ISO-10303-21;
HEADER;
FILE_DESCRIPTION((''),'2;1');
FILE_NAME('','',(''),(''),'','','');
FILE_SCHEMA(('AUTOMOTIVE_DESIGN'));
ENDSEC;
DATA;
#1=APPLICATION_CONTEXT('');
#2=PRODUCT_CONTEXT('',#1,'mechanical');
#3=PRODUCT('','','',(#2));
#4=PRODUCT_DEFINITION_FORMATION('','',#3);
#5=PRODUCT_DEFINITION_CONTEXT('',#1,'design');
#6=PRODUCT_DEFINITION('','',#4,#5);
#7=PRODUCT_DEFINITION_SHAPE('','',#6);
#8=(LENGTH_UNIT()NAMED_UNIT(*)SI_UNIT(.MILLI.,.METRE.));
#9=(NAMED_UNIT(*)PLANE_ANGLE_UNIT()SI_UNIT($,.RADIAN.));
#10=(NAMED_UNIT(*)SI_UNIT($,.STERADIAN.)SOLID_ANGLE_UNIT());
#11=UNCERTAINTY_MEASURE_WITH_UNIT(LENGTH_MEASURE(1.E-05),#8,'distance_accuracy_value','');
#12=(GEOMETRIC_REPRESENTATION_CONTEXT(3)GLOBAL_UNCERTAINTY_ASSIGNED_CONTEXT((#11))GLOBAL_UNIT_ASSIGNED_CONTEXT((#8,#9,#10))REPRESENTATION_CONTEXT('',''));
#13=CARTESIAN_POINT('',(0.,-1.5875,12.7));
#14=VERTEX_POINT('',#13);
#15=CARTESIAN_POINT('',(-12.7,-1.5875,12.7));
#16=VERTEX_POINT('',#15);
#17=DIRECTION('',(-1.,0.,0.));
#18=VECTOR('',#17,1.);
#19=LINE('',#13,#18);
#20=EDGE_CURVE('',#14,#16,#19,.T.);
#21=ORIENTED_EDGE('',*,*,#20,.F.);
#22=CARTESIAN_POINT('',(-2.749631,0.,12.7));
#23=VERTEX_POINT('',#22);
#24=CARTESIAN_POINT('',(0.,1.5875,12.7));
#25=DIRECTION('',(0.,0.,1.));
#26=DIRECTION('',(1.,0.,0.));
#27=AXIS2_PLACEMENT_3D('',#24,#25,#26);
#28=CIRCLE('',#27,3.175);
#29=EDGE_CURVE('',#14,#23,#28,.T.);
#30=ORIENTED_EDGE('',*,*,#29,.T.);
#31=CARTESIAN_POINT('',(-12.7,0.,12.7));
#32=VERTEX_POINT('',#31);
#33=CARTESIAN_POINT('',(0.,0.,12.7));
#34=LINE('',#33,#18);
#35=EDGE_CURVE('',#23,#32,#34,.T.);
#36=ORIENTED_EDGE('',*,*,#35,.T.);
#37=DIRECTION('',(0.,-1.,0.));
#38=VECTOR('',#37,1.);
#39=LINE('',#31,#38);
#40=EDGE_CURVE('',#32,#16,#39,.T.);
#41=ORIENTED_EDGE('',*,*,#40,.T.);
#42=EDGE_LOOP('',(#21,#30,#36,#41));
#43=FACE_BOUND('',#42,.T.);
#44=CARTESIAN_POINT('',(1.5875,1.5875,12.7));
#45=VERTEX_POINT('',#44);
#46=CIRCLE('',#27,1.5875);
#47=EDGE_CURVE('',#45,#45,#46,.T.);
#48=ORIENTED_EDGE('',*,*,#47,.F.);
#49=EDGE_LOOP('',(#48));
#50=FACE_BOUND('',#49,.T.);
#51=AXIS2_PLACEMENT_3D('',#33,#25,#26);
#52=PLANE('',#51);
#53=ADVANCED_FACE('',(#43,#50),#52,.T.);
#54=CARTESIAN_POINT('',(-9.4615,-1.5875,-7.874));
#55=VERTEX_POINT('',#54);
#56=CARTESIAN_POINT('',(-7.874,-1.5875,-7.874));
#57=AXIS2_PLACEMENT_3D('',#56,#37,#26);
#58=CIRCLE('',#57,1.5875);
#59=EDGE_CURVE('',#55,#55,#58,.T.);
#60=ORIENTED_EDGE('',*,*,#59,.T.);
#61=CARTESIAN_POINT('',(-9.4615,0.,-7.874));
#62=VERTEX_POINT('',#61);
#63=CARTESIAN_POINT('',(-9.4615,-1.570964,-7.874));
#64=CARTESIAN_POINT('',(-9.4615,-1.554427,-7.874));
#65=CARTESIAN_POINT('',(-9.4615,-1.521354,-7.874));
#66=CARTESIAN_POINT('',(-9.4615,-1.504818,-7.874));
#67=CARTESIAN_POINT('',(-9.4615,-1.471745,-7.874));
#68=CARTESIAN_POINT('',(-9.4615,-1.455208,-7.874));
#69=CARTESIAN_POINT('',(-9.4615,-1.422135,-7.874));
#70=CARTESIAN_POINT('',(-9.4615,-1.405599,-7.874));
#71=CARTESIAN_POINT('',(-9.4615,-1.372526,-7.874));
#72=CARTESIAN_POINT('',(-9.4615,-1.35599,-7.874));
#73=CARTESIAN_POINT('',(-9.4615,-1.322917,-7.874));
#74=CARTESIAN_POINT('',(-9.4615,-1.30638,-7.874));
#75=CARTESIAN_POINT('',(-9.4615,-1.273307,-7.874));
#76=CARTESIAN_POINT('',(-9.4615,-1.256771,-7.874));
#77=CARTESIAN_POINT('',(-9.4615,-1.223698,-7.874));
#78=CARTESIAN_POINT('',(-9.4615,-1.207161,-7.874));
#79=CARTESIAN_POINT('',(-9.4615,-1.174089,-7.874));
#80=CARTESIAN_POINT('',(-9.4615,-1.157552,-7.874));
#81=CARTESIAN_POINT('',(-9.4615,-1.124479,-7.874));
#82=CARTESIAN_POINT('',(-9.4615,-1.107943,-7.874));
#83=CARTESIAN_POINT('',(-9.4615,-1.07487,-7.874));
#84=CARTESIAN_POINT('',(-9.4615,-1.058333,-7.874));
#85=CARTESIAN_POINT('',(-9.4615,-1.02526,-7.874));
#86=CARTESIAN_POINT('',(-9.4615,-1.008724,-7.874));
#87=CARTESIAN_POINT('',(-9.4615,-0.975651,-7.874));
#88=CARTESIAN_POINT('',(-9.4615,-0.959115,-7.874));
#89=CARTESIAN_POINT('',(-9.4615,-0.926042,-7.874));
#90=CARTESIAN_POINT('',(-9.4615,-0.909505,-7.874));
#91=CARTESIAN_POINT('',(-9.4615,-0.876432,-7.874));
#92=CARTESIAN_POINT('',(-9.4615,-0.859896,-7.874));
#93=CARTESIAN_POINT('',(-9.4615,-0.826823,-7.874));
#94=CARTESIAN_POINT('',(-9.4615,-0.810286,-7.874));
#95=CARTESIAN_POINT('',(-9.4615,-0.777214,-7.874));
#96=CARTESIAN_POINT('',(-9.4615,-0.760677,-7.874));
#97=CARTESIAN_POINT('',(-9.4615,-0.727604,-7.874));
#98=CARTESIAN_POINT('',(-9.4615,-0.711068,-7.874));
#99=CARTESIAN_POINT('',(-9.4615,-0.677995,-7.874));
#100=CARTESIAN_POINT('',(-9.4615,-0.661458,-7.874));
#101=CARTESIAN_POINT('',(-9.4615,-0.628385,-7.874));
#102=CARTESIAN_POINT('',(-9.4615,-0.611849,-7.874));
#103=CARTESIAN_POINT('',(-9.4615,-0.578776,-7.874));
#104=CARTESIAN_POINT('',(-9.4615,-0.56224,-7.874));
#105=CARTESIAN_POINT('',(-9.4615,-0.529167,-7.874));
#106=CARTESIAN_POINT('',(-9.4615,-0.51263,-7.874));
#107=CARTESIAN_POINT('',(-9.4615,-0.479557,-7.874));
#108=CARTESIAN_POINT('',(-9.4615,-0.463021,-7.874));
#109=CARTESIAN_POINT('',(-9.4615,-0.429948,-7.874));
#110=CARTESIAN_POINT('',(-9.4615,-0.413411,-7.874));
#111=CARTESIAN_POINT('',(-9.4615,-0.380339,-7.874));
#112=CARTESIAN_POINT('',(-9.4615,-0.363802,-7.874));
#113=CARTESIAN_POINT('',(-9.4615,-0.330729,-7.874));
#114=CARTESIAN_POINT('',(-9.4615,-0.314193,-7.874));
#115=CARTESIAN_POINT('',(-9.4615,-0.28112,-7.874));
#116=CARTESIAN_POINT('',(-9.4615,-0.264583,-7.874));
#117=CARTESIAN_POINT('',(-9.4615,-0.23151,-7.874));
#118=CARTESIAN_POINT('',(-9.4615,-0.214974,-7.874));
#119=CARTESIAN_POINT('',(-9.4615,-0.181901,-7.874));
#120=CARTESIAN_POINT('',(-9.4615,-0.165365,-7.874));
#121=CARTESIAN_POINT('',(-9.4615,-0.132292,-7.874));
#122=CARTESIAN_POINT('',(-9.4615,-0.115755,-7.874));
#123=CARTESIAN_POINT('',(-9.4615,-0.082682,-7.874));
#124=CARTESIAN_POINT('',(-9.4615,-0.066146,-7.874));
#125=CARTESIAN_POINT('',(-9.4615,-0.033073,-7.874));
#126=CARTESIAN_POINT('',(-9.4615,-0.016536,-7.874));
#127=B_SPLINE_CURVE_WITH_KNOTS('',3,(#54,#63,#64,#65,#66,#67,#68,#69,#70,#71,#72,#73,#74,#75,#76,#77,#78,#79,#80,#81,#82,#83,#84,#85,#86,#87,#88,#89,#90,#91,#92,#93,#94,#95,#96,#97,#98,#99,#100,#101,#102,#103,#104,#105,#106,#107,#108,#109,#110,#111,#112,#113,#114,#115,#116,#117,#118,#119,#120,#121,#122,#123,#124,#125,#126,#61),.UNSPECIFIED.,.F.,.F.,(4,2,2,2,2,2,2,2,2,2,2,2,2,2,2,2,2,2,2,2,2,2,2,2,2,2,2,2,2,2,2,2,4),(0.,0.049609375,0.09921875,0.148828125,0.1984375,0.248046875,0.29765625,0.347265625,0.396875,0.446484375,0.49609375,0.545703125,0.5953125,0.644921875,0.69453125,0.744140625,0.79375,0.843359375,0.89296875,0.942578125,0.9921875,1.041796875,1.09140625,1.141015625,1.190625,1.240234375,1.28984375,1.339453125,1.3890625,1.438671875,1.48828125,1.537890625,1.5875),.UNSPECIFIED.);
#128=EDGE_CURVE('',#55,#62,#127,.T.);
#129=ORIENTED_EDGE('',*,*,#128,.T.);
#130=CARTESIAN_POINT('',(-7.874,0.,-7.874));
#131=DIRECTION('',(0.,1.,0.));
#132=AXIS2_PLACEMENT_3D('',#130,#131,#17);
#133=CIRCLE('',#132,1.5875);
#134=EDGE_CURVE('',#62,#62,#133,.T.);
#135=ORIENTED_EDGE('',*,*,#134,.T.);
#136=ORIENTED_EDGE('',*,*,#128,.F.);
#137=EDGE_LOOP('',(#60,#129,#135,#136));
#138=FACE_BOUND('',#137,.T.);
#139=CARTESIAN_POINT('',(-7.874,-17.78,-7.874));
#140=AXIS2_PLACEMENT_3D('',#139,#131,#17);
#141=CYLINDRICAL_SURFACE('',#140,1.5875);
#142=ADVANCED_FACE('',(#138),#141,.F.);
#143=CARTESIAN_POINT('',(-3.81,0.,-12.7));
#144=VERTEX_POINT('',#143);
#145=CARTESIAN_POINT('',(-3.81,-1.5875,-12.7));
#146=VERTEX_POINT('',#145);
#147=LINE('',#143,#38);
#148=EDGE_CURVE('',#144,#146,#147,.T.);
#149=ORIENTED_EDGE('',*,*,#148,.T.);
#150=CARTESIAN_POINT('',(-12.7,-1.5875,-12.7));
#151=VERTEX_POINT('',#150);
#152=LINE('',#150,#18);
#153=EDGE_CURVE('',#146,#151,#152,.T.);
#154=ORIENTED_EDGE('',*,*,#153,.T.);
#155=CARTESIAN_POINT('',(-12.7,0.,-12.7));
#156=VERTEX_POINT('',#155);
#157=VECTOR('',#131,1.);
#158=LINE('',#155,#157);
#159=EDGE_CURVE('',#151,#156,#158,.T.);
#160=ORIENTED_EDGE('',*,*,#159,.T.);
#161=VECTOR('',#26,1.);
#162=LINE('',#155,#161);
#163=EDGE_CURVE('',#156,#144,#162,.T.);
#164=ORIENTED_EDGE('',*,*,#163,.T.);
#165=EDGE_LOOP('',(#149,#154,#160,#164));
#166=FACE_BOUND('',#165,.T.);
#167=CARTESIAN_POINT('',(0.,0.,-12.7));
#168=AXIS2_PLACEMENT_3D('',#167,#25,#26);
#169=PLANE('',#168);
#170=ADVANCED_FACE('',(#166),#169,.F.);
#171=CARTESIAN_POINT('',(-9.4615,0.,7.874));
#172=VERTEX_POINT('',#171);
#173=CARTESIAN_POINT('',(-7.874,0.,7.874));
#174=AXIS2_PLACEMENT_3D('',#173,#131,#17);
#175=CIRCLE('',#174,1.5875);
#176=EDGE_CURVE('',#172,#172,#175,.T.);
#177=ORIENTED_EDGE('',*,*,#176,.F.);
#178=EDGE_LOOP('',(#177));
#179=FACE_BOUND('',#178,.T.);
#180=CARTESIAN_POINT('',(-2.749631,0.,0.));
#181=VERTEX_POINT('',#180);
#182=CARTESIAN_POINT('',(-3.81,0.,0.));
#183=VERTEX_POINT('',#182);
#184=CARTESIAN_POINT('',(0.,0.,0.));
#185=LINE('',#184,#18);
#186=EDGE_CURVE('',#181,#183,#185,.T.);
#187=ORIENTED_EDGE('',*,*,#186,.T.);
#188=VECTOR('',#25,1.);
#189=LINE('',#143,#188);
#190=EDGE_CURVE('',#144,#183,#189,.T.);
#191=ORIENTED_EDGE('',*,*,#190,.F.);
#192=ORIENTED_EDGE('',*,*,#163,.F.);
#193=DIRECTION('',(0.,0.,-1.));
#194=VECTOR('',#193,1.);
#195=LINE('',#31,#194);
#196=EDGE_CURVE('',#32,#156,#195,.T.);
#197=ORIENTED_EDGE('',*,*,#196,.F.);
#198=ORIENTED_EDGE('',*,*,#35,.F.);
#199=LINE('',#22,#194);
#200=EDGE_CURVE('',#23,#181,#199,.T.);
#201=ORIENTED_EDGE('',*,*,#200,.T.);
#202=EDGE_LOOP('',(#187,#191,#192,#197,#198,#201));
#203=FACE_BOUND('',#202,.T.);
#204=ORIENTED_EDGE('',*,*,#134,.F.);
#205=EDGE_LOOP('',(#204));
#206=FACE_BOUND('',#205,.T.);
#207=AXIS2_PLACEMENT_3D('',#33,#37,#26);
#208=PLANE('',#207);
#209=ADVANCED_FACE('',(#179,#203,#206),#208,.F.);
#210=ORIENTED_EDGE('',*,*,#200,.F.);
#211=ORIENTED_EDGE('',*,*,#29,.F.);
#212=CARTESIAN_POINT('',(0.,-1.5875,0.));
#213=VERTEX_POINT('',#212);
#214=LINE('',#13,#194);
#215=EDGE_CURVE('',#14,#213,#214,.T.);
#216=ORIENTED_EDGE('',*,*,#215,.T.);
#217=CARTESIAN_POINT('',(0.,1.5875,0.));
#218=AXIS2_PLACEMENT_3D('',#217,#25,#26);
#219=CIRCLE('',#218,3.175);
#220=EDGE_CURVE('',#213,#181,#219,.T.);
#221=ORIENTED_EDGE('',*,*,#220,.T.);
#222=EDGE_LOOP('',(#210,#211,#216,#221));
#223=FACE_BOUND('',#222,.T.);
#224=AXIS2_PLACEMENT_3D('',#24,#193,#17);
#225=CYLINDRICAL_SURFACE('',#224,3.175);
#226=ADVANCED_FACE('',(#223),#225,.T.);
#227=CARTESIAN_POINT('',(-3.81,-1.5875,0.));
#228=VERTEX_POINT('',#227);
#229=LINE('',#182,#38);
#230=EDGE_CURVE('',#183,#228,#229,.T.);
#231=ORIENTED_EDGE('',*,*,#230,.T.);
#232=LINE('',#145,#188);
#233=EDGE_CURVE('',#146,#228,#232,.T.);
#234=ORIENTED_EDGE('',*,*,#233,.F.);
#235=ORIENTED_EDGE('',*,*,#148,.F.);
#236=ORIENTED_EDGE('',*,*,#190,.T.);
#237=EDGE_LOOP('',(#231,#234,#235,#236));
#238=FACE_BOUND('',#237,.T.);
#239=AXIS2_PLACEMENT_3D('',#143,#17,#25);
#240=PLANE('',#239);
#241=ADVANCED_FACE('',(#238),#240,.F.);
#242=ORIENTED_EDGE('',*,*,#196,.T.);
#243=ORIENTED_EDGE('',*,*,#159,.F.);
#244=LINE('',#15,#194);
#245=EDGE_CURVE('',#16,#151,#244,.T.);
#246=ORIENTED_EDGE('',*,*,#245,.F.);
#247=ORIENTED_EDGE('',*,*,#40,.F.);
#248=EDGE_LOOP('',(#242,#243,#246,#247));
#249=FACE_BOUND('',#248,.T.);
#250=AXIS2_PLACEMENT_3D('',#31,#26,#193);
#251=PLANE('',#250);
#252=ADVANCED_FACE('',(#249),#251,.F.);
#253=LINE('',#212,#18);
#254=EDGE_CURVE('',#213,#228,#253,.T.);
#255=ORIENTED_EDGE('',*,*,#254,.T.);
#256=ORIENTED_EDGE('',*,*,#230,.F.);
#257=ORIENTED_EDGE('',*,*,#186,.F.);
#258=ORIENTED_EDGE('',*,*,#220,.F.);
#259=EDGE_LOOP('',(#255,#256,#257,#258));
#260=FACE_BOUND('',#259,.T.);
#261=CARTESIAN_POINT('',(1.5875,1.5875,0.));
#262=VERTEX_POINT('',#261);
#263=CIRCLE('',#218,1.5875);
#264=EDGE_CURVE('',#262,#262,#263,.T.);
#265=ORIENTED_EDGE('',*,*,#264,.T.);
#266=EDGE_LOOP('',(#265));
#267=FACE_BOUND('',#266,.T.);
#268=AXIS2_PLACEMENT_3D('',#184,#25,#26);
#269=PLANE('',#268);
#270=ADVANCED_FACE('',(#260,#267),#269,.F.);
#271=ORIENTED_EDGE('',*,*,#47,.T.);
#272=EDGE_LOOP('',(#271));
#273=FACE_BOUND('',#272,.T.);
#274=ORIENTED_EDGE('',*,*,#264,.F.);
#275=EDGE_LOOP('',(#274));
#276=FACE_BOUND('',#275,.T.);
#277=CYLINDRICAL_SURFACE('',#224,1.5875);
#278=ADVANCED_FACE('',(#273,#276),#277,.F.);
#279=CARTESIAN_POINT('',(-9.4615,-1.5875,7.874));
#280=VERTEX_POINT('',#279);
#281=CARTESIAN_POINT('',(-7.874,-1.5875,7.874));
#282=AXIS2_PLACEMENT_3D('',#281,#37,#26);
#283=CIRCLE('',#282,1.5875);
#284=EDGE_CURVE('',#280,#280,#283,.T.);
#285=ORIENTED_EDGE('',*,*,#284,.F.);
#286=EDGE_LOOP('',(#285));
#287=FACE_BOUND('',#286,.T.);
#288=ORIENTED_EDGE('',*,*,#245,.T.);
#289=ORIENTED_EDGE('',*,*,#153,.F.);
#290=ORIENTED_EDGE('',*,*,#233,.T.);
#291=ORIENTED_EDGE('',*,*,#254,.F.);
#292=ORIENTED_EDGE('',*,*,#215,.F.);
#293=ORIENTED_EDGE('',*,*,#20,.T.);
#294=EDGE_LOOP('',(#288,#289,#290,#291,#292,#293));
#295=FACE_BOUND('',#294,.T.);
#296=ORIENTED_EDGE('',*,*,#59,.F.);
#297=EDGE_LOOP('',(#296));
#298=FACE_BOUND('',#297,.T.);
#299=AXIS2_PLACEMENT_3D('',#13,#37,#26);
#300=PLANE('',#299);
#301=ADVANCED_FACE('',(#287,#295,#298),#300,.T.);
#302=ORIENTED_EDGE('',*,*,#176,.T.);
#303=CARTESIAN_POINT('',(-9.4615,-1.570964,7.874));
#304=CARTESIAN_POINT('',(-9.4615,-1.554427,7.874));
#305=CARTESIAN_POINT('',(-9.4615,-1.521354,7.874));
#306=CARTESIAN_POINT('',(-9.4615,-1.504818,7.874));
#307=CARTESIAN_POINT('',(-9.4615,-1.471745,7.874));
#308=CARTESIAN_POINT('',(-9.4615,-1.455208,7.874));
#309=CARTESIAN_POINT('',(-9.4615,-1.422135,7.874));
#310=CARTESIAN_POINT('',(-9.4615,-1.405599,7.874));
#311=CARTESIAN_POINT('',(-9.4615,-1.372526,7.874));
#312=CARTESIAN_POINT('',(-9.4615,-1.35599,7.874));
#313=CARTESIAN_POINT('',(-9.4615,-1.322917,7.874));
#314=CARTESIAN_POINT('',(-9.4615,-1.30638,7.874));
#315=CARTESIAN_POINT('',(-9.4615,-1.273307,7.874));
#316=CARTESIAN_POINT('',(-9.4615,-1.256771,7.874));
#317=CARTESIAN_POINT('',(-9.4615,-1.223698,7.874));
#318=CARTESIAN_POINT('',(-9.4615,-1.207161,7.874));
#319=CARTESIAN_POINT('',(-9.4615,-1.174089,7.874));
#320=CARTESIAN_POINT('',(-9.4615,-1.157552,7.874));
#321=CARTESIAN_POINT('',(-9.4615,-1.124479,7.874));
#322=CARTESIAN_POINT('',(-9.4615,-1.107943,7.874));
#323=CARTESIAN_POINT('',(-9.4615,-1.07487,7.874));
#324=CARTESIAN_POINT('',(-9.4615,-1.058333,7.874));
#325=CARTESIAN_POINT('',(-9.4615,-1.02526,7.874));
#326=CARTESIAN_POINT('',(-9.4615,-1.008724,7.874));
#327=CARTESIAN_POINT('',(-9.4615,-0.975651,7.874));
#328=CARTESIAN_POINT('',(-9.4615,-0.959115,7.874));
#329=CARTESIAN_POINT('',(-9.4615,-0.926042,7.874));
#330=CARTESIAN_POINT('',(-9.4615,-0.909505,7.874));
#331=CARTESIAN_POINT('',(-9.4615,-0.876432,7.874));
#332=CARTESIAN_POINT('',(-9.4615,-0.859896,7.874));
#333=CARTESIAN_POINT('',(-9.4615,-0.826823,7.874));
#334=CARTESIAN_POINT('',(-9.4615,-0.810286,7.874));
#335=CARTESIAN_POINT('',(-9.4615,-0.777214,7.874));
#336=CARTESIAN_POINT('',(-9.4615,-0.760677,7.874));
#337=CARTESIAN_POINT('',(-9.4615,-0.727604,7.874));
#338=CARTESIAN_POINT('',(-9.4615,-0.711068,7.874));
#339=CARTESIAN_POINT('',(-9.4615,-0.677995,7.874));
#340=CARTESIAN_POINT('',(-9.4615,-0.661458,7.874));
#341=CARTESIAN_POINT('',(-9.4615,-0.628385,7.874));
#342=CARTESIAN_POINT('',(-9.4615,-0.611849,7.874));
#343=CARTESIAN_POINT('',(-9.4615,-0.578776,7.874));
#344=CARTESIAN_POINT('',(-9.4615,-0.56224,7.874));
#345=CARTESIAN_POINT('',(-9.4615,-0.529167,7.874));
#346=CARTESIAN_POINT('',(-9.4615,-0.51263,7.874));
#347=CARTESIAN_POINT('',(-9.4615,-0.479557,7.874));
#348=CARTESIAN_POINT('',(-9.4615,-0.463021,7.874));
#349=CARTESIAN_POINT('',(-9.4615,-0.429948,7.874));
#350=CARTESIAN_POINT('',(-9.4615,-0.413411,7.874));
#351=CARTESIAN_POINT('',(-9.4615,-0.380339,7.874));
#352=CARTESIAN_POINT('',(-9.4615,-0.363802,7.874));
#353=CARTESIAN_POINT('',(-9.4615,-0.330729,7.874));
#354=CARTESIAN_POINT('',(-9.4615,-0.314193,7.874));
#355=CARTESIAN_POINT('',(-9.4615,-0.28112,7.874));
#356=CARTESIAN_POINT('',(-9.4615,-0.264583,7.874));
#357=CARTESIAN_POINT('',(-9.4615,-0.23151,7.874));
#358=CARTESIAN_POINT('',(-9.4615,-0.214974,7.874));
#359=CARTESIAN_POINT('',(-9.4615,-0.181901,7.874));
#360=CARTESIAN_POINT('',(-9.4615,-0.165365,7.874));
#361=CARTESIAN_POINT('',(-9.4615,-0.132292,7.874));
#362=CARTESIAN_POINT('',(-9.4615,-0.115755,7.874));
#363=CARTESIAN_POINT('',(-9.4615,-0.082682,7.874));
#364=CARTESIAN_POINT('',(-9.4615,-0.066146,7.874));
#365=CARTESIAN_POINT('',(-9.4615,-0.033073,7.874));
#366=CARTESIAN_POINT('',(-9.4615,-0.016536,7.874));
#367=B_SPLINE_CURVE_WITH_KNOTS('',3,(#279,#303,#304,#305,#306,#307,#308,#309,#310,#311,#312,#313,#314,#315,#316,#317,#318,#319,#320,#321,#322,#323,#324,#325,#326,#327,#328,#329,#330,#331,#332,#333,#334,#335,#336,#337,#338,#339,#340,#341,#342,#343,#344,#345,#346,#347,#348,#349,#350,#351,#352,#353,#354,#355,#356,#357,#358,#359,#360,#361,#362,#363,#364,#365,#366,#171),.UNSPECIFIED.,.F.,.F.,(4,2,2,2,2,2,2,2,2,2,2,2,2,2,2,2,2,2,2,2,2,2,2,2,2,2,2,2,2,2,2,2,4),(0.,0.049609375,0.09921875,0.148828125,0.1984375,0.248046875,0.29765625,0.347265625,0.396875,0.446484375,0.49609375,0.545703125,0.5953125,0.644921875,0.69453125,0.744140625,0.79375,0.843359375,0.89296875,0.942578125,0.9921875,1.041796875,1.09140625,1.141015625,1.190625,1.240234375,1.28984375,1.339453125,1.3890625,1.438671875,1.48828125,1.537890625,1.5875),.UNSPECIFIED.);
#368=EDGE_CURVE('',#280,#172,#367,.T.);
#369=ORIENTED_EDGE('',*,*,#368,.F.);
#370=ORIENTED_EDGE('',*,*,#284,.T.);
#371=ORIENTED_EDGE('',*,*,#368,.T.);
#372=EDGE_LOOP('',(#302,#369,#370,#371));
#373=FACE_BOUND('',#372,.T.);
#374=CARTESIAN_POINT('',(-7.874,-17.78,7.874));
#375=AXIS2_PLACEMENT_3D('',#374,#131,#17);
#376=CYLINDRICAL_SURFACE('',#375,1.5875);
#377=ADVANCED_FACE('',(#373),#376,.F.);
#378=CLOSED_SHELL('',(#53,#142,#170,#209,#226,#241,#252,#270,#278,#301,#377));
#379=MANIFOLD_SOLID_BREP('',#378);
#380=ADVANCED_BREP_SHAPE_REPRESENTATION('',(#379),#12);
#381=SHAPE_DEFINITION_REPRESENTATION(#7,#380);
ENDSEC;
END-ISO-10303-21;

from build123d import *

# Parameters (mm, degrees)
BOSS_EXTRUDE1_DEPTH = 12.7
SKETCH2_W           = 8.89
SKETCH2_H           = 1.5875
BOSS_EXTRUDE2_DEPTH = 12.7
SKETCH3_R           = 1.5875
CUT_EXTRUDE1_DEPTH  = 17.78


with BuildPart() as part:
    # Sketch1 → Boss-Extrude1 (new body)
    # profile 1 of 3: a face of its own
    with BuildSketch(Plane.XY):
        with BuildLine():
            ThreePointArc((0, -1.5875), (-1.5875, -1.162130657), (-2.749630657, 0))
            Line((-2.749630657, 0), (-12.7, 0))
            Line((-12.7, 0), (-12.7, -1.5875))
            Line((-12.7, -1.5875), (0, -1.5875))
        make_face()
    # profile 2 of 3: a face of its own
    with BuildSketch(Plane.XY):
        with BuildLine():
            Line((0, -1.5875), (0, 0))
            Line((0, 0), (-2.749630657, 0))
            ThreePointArc((-2.749630657, 0), (-1.5875, -1.162130657), (0, -1.5875))
        make_face()
    # profile 3 of 3: a face of its own
    with BuildSketch(Plane.XY):
        with BuildLine():
            Line((-2.749630657, 0), (0, 0))
            Line((0, 0), (0, -1.5875))
            ThreePointArc((0, -1.5875), (2.24506403, -0.65756403), (3.175, 1.5875))
            ThreePointArc((3.175, 1.5875), (-0.821750468, 4.654314498), (-2.749630657, 0))
        make_face()
        with BuildLine():
            ThreePointArc((1.5875, 1.5875), (1.122532015, 0.464967985), (0, 0))
            ThreePointArc((0, 0), (-1.122532015, 2.710032015), (1.5875, 1.5875))
        make_face(mode=Mode.SUBTRACT)
    extrude(amount=BOSS_EXTRUDE1_DEPTH)

    # Sketch2 → Boss-Extrude2 (add)
    with BuildSketch(Plane(origin=(0, 0, 0), x_dir=(-1, 0, 0), z_dir=(0, 0, -1))):
        with Locations((8.255, -0.79375)):
            Rectangle(SKETCH2_W, SKETCH2_H)
    extrude(amount=BOSS_EXTRUDE2_DEPTH)

    # Sketch3 → Cut-Extrude1 (cut)
    with BuildSketch(Plane(origin=(0, 0, 0), x_dir=(1, 0, 0), z_dir=(0, 1, 0))):
        with Locations(Location((-7.874, 7.874, 0), (0, 0, 180))):
            Circle(SKETCH3_R)
        with Locations(Location((-7.874, -7.874, 0), (0, 0, 180))):
            Circle(SKETCH3_R)
    extrude(amount=-CUT_EXTRUDE1_DEPTH, mode=Mode.SUBTRACT)


solid = part.part
